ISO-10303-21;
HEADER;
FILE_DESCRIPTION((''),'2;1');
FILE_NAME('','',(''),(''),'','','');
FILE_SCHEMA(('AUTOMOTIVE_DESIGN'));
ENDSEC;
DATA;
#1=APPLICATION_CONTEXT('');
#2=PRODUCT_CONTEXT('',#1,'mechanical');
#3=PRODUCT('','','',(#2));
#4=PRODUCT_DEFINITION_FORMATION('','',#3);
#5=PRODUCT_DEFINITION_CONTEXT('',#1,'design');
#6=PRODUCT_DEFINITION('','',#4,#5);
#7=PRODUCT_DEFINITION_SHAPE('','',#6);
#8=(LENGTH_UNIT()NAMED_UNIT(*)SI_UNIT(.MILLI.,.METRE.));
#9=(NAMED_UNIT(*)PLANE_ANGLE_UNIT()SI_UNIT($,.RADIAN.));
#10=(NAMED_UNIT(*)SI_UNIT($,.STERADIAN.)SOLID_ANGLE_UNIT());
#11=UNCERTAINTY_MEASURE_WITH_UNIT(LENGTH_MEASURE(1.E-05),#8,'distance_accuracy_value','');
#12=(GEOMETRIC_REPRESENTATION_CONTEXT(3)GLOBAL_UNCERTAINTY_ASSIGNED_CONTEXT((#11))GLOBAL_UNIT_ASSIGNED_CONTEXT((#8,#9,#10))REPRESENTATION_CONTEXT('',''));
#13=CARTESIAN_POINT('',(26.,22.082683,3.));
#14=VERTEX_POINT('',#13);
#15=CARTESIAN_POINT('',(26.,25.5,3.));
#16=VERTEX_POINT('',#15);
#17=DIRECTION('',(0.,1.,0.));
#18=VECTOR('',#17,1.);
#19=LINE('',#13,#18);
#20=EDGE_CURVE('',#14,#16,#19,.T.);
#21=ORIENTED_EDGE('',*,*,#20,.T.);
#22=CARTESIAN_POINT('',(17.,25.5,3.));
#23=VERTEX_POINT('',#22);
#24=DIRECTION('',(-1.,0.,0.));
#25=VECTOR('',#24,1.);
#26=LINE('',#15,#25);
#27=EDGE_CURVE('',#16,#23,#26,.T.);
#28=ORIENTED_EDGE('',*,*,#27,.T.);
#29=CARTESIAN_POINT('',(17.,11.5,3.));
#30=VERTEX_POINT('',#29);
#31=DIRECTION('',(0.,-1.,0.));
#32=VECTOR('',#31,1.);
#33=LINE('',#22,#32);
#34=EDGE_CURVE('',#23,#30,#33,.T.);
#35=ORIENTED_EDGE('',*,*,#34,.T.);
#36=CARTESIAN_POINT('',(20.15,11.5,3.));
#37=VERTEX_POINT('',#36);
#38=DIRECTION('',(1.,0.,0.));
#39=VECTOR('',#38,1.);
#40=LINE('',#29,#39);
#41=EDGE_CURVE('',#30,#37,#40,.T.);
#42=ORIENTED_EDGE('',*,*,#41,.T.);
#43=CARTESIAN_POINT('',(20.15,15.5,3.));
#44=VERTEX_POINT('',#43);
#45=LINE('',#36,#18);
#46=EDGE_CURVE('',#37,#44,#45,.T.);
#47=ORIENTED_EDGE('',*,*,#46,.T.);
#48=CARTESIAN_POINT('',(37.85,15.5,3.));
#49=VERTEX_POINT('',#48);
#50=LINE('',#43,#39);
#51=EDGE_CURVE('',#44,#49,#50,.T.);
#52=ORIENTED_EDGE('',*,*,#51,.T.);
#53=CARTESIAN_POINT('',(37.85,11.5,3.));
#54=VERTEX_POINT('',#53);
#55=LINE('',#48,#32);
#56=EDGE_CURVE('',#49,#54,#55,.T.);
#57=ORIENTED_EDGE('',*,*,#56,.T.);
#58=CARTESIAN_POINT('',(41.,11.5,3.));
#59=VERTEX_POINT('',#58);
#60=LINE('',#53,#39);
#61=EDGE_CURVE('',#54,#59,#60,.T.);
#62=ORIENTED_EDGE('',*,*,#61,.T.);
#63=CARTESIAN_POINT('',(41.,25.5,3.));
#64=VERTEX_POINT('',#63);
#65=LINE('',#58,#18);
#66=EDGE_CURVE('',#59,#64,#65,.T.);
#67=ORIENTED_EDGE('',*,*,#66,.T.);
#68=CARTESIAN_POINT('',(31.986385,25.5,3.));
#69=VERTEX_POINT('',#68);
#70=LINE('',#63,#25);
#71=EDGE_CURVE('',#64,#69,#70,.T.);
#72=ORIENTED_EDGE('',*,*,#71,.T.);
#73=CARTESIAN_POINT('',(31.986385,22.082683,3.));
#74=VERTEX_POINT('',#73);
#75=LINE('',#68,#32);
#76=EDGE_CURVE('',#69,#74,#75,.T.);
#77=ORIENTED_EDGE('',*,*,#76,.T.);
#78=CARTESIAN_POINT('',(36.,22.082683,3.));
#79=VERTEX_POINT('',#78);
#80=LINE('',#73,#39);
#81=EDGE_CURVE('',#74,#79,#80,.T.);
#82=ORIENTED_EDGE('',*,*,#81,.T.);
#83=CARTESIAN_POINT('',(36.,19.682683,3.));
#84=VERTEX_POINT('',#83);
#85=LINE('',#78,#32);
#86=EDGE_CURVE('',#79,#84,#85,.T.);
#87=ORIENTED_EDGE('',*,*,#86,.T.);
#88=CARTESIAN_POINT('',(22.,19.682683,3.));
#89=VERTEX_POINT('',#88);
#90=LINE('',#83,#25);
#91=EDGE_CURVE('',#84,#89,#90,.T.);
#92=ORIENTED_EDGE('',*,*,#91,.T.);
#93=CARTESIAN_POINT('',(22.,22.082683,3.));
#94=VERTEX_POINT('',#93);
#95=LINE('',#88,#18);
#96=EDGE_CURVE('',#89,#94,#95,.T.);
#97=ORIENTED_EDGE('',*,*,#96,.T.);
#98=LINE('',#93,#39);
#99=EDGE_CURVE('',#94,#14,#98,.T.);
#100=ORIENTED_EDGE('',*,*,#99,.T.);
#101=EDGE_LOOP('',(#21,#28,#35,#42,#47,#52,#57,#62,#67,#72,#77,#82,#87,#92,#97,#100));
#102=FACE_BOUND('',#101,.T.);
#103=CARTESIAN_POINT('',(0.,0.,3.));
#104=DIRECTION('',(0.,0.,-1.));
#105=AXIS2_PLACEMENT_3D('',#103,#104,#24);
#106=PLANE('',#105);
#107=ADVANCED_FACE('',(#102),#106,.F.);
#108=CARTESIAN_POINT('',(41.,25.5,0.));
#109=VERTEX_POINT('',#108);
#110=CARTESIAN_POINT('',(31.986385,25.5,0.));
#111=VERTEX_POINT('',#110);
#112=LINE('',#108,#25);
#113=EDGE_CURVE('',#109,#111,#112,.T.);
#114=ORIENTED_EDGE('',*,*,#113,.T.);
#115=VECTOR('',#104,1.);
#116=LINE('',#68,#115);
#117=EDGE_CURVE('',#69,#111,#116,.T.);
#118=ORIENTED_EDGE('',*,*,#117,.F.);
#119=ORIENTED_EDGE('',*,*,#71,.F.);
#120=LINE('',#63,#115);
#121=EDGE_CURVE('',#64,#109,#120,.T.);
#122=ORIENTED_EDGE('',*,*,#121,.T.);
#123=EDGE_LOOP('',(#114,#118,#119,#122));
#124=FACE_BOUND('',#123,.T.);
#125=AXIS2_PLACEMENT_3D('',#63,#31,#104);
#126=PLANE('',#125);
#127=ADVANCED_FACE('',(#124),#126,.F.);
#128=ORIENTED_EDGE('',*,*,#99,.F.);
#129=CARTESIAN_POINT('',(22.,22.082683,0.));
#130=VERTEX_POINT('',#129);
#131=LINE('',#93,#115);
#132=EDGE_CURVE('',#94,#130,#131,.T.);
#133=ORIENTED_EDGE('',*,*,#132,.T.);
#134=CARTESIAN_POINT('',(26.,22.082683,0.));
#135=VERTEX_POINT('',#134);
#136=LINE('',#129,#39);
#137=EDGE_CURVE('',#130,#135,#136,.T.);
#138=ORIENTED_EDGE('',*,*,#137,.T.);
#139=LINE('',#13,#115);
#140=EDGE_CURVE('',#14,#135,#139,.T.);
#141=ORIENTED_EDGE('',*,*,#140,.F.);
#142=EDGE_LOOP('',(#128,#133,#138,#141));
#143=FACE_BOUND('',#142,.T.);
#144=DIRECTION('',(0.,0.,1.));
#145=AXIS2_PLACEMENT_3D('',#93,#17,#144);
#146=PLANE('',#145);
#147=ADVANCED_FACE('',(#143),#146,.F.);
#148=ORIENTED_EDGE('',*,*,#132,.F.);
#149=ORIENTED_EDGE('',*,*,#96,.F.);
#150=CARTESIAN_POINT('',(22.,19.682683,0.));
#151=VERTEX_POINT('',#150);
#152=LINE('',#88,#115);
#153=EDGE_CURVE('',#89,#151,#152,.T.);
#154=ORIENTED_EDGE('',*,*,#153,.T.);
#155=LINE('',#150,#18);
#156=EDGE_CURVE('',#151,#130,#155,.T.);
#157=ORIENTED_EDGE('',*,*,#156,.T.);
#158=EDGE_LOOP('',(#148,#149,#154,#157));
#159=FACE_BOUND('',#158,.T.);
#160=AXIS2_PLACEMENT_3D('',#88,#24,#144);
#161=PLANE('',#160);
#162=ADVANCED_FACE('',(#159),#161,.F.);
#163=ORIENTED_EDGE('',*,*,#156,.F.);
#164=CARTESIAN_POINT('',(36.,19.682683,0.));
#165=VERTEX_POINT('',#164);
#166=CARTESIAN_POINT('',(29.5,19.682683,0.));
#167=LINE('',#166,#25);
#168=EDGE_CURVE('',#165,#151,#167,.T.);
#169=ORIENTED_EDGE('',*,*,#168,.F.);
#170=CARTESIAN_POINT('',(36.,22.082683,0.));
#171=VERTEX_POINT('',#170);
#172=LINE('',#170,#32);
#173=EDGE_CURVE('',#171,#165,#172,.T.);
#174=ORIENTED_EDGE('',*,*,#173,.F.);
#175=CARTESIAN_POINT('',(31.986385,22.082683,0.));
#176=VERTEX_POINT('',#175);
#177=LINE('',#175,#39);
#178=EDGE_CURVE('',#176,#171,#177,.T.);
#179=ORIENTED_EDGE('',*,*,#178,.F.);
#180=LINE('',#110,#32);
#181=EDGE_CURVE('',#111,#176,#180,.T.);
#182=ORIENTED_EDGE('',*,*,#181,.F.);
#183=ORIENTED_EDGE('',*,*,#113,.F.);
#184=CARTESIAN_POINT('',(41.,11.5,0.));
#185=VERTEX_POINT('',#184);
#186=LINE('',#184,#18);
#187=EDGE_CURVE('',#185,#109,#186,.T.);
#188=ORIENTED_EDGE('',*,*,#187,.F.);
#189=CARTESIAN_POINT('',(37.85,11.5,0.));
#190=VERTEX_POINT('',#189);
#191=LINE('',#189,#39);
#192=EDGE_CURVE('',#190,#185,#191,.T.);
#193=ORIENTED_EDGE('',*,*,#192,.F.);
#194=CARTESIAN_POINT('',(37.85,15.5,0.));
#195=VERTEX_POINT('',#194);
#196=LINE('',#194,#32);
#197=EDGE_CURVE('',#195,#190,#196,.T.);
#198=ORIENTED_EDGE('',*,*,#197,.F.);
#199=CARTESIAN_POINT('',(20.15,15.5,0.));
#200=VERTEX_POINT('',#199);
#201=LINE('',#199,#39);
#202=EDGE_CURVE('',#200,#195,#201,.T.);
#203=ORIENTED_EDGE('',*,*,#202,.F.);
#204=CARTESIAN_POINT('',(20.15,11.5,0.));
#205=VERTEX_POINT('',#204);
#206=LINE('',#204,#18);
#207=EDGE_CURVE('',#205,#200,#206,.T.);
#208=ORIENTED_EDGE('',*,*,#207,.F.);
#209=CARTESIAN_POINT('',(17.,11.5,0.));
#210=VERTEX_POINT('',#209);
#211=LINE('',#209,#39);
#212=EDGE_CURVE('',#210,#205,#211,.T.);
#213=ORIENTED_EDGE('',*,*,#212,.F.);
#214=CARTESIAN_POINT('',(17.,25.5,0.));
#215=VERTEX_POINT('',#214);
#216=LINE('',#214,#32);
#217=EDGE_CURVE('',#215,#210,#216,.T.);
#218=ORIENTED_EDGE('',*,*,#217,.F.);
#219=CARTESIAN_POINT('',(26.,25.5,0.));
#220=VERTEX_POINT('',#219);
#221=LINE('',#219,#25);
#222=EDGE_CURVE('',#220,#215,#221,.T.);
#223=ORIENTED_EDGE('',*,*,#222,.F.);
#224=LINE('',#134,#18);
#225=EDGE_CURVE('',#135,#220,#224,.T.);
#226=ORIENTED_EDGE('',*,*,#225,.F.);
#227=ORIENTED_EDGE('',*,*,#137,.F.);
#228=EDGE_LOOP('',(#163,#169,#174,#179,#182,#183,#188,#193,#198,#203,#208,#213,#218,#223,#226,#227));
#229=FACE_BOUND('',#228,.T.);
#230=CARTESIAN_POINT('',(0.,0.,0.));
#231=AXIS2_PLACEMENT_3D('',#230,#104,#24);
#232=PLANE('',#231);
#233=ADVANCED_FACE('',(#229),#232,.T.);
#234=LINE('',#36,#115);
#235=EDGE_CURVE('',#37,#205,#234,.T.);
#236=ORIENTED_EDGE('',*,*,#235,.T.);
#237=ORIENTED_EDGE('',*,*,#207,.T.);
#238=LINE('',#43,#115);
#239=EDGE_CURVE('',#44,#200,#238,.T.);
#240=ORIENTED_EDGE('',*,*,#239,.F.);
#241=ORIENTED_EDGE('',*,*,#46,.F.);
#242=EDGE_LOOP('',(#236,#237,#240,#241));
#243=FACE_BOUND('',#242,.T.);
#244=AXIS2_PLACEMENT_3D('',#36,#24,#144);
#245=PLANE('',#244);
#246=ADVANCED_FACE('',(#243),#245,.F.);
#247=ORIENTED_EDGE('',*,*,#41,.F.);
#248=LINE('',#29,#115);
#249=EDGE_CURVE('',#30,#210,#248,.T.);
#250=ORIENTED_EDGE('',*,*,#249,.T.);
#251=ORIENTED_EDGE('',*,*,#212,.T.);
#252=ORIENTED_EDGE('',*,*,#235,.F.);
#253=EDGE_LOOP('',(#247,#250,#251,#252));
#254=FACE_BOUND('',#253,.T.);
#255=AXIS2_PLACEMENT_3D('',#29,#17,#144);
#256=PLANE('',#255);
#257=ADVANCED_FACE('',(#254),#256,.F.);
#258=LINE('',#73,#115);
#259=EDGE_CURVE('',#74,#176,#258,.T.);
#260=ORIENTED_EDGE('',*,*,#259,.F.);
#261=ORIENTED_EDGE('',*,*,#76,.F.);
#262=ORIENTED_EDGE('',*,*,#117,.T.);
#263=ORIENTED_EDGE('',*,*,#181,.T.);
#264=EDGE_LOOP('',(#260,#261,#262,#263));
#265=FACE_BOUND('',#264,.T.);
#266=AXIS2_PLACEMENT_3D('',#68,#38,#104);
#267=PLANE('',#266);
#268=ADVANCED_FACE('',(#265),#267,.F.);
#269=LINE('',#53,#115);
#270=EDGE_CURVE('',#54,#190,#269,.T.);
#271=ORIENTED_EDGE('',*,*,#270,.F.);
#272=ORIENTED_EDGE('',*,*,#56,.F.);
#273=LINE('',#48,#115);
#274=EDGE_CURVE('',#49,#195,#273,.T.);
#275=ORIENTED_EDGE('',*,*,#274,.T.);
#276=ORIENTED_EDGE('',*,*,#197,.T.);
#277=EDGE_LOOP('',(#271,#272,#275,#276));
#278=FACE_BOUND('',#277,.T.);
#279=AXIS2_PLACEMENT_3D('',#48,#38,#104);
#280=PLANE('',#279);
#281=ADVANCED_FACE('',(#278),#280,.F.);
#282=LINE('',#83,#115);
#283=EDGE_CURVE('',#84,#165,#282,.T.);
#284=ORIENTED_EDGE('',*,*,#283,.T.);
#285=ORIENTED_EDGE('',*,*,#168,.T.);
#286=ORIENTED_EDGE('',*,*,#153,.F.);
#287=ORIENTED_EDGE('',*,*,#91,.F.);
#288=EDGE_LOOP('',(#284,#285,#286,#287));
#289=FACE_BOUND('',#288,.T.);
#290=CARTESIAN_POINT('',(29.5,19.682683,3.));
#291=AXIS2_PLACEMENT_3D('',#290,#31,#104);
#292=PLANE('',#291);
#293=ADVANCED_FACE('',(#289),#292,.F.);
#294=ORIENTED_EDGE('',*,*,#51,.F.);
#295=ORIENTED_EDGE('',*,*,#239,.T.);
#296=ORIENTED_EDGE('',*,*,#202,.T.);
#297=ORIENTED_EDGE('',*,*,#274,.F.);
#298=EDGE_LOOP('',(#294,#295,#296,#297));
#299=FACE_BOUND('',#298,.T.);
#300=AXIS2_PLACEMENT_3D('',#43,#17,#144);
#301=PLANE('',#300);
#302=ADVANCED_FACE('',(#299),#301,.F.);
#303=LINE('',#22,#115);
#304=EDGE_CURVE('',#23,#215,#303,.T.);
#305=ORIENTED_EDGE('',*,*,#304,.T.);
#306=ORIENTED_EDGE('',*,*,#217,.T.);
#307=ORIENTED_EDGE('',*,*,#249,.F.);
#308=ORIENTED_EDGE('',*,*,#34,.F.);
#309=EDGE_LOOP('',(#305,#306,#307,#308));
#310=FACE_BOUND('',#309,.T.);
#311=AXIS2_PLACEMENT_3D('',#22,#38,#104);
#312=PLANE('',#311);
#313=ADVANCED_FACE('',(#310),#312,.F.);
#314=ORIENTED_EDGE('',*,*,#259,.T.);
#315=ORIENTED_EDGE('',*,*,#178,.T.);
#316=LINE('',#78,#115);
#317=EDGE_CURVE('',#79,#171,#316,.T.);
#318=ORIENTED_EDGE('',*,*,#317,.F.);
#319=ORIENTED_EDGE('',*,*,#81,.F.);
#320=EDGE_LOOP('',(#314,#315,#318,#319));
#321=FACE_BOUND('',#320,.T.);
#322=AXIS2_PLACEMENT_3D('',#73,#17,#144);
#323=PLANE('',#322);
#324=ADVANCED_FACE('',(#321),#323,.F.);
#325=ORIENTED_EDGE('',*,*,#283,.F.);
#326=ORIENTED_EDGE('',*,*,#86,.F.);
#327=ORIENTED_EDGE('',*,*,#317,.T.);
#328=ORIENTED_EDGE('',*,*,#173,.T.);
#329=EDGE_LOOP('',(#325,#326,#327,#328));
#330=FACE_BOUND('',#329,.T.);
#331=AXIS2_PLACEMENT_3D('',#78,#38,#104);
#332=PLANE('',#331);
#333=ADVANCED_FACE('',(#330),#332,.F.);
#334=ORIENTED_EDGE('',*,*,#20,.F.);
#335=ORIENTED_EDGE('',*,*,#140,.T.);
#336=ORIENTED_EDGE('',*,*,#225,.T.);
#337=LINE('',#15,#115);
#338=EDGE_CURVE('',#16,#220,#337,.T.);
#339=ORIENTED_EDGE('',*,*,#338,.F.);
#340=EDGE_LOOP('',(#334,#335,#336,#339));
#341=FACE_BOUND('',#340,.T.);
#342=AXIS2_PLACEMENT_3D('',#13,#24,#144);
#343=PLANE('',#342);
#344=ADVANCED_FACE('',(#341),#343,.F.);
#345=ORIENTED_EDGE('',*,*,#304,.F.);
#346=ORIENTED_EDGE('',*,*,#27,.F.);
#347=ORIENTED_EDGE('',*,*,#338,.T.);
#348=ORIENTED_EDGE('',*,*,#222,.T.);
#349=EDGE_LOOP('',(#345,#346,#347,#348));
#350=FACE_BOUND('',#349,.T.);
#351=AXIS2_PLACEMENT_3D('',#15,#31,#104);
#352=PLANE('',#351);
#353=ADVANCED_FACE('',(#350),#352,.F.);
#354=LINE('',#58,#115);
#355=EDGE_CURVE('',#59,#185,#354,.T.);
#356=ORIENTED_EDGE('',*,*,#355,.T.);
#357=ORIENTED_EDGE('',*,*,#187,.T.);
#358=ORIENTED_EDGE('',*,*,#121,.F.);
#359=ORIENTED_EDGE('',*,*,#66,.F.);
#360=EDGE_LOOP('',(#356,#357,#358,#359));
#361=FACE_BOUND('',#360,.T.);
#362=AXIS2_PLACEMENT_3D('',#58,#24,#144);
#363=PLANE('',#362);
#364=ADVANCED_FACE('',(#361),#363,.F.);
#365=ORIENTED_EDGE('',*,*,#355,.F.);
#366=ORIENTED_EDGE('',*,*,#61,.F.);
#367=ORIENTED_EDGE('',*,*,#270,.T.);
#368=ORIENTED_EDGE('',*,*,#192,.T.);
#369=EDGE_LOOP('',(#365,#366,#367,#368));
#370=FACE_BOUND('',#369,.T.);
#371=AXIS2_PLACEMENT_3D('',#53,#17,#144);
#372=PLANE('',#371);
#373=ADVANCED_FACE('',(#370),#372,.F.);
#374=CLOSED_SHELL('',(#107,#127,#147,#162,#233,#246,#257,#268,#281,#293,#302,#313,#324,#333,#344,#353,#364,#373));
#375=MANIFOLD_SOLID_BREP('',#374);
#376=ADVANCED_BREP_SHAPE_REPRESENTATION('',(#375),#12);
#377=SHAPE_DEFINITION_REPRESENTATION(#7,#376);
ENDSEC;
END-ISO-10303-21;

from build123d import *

# Parameters (mm, degrees)
SALIENTE_EXTRUIR1_DEPTH = 3


with BuildPart() as part:
    # Model → Saliente-Extruir1 (new body)
    with BuildSketch(Plane.XY):
        Polygon((29.5, 19.682683294), (22, 19.682683294), (22, 22.082683294), (26, 22.082683294), (26, 25.5), (17, 25.5), (17, 11.5), (20.15, 11.5), (20.15, 15.5), (37.85, 15.5), (37.85, 11.5), (41, 11.5), (41, 25.5), (31.986385402, 25.5), (31.986385402, 22.082683294), (36, 22.082683294), (36, 19.682683294), align=None)
    extrude(amount=SALIENTE_EXTRUIR1_DEPTH)


solid = part.part
